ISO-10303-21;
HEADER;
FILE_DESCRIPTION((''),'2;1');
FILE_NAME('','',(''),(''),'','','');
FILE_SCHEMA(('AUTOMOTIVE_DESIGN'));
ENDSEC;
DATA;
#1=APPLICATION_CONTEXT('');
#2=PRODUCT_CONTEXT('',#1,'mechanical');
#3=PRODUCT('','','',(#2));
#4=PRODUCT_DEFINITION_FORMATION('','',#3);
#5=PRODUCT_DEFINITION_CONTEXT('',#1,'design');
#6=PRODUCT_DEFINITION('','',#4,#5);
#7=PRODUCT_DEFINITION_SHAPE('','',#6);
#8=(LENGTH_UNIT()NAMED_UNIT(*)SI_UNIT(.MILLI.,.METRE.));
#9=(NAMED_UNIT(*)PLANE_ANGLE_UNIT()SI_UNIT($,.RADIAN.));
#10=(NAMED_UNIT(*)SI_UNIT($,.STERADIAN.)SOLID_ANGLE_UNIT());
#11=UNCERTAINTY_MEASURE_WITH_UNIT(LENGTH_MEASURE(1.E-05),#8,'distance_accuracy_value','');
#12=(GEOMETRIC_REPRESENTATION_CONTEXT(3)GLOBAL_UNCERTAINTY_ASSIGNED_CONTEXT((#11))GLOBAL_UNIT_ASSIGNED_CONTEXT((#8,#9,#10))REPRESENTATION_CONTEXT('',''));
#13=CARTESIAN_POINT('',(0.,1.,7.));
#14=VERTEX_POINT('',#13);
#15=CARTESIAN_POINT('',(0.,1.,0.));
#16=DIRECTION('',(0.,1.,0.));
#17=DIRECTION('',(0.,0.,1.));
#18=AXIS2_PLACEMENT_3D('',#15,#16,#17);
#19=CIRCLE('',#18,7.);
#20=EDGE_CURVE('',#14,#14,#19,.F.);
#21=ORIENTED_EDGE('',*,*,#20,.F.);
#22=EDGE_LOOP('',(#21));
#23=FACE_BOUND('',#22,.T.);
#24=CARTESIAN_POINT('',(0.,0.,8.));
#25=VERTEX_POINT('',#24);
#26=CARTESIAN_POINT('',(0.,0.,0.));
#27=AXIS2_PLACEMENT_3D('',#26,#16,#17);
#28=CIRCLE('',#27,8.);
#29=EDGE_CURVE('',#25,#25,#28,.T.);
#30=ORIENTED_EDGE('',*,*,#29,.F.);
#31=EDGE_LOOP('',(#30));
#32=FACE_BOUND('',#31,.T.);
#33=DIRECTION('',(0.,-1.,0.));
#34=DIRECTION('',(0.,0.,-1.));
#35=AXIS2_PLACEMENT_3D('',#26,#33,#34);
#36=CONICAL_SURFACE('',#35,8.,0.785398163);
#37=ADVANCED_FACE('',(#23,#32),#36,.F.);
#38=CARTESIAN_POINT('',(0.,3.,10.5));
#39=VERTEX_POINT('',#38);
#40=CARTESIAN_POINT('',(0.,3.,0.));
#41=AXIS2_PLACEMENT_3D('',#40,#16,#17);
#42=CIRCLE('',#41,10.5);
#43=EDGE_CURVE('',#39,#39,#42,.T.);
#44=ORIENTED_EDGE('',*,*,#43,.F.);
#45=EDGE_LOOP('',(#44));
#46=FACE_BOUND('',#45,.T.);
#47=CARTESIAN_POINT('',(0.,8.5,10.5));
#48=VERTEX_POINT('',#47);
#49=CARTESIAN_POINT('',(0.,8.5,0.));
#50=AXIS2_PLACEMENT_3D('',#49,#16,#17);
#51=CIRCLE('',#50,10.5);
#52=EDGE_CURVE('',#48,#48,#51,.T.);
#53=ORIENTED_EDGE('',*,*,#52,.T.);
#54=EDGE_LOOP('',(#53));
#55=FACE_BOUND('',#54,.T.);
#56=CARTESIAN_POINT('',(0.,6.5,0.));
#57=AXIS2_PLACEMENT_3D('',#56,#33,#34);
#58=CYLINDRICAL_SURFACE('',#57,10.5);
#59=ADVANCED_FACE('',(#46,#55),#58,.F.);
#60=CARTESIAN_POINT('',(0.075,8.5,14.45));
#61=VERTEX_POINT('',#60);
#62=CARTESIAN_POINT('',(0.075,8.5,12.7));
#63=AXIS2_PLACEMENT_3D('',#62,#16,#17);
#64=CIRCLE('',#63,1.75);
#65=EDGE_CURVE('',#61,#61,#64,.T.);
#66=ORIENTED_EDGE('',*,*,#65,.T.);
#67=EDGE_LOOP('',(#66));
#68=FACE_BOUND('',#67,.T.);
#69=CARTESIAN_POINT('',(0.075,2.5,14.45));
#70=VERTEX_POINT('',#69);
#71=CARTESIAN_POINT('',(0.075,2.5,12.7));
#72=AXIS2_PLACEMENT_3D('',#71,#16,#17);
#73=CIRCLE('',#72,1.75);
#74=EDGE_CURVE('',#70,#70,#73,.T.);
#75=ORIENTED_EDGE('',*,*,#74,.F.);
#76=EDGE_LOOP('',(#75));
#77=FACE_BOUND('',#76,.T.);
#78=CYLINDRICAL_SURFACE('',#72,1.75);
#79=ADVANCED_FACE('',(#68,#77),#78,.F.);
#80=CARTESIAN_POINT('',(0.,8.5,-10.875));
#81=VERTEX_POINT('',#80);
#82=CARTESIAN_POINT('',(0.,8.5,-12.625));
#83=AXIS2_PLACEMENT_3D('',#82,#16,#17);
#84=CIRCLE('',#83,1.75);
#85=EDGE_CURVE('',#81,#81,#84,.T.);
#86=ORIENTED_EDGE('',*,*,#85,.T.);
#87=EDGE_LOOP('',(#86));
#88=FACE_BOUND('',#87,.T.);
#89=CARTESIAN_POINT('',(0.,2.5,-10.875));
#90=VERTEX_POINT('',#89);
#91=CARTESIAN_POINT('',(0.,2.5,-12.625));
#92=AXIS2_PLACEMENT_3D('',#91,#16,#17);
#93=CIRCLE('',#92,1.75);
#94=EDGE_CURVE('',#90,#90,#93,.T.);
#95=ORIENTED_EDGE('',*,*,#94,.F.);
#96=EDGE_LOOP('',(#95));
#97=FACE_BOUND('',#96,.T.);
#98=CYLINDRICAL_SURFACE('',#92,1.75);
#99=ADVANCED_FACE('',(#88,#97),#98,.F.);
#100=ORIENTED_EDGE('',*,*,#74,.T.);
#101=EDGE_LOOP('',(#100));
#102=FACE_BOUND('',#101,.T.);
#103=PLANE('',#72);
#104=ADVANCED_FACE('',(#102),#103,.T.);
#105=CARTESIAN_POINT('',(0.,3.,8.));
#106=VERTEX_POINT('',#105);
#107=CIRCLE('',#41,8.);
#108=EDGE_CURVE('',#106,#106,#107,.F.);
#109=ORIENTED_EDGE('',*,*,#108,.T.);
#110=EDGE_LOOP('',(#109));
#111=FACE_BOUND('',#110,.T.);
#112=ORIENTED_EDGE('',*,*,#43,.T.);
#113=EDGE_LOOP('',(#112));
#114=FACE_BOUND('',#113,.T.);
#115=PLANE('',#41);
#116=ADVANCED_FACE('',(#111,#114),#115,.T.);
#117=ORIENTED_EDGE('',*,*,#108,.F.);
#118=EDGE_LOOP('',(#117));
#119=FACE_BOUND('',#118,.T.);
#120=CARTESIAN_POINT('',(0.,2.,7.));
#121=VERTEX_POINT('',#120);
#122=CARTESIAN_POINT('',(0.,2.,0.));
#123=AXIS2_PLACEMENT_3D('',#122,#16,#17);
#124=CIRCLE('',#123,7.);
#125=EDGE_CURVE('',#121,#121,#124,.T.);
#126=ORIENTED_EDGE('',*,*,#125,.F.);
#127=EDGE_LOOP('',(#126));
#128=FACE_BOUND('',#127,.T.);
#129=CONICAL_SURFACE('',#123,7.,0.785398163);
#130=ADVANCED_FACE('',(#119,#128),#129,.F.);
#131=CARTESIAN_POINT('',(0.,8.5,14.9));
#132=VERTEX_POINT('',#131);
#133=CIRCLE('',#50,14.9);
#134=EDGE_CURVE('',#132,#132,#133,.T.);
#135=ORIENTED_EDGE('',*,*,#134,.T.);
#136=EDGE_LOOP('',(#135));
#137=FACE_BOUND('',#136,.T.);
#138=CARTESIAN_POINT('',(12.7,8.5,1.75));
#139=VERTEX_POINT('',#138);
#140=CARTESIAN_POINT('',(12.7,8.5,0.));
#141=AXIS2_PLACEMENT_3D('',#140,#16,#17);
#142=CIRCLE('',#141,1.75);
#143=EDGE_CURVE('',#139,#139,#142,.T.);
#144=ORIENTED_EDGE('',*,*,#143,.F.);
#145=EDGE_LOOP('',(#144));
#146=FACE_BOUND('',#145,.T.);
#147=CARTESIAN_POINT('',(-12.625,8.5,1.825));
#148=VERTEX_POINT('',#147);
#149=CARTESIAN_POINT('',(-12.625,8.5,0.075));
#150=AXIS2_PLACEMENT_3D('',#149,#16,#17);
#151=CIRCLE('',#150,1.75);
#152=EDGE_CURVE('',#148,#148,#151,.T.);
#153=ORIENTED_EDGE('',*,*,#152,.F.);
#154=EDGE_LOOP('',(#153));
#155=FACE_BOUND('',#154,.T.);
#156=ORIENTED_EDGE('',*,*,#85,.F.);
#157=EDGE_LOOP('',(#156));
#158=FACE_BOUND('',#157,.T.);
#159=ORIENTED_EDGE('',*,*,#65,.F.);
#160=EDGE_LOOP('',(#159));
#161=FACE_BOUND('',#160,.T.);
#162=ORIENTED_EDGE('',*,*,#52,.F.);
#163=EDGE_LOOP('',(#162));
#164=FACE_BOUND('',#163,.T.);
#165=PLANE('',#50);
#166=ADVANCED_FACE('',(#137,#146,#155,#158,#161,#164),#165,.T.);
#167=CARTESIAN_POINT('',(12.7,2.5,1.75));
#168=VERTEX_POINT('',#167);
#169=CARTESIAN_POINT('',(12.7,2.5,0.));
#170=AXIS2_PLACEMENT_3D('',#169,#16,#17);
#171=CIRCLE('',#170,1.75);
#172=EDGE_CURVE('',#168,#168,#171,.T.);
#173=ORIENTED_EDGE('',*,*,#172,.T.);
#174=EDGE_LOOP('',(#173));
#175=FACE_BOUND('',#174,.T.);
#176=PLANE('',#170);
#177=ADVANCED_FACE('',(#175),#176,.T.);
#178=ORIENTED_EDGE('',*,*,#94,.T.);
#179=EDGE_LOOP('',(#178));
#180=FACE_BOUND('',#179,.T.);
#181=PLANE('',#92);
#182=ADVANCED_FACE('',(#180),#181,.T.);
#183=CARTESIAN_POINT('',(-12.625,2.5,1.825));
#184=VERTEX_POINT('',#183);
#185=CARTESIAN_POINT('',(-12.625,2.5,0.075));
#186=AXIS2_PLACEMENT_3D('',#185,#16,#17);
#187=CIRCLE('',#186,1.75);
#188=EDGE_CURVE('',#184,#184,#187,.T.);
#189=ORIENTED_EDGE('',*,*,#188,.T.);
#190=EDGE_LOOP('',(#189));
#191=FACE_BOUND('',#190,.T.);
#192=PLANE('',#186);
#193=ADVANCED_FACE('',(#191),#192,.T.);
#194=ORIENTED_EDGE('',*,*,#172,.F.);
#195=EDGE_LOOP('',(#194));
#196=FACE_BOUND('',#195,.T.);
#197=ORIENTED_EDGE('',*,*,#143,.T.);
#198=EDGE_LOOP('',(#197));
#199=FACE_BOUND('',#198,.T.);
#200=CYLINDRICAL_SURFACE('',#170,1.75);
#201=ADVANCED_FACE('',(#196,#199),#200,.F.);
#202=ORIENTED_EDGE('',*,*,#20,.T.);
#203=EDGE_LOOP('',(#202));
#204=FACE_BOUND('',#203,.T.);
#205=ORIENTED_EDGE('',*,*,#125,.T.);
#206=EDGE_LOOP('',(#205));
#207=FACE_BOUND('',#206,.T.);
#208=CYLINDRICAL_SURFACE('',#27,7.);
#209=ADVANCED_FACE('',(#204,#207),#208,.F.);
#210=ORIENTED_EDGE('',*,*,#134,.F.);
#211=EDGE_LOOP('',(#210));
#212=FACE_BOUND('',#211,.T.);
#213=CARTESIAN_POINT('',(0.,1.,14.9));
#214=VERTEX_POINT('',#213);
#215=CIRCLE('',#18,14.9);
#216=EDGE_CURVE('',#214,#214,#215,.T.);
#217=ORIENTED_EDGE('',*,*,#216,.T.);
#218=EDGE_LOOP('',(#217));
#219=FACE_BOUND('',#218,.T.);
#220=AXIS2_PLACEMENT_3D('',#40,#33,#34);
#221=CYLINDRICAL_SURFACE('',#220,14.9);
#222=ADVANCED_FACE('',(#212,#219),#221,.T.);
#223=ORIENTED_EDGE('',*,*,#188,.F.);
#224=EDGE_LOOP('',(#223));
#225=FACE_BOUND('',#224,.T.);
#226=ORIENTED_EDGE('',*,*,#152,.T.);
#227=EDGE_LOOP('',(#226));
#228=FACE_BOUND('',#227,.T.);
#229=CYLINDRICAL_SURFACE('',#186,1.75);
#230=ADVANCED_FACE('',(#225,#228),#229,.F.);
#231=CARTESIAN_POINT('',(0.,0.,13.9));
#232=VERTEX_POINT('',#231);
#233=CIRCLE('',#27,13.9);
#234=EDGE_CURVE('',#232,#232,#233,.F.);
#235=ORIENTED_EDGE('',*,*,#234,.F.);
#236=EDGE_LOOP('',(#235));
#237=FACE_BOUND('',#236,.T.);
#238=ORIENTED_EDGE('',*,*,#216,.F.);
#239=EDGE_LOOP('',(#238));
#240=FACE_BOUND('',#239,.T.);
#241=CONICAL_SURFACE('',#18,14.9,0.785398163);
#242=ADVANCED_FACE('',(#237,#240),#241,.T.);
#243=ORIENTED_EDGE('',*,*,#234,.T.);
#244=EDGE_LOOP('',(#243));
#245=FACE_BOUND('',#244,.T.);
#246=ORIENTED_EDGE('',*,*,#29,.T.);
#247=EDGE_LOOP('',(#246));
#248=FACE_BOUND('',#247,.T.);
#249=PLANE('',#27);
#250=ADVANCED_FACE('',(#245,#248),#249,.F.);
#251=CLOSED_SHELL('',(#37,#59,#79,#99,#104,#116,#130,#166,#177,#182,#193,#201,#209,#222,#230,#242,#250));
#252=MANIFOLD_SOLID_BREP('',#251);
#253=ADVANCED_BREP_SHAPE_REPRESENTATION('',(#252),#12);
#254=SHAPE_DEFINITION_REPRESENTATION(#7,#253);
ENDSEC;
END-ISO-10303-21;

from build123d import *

# Parameters (mm, degrees)
SKETCH1_R           = 14.9
BOSS_EXTRUDE1_DEPTH = 3
SKETCH2_R           = 7
CUT_EXTRUDE1_DEPTH  = 22.28426649
SKETCH3_R           = 14.9
SKETCH3_R_2         = 10.5
BOSS_EXTRUDE2_DEPTH = 3.5
CHAMFER1_SIZE       = 1
SKETCH4_R           = 1.75
CUT_EXTRUDE2_DEPTH  = 4
BOSS_EXTRUDE3_START = 2
SKETCH5_R           = 14.9
SKETCH5_R_2         = 10.5
SKETCH5_R_3         = 1.75
BOSS_EXTRUDE3_DEPTH = 2


with BuildPart() as part:
    # Sketch1 → Boss-Extrude1 (new body)
    with BuildSketch(Plane(origin=(0, 0, 0), x_dir=(-1, 0, 0), z_dir=(0, 1, 0))):
        with Locations(Location((0, 0, 0), (0, 0, 90))):
            Circle(SKETCH1_R)
    extrude(amount=BOSS_EXTRUDE1_DEPTH)

    # Sketch2 → Cut-Extrude1 (cut, through all)
    with BuildSketch(Plane(origin=(0, 3, 0), x_dir=(-1, 0, 0), z_dir=(0, 1, 0))):
        with Locations(Location((0, 0, 0), (0, 0, 90))):
            Circle(SKETCH2_R)
    extrude(amount=-CUT_EXTRUDE1_DEPTH, mode=Mode.SUBTRACT)

    # Sketch3 → Boss-Extrude2 (add)
    with BuildSketch(Plane(origin=(0, 3, 0), x_dir=(-1, 0, 0), z_dir=(0, 1, 0))):
        with Locations(Location((0, 0, 0), (0, 0, 90))):
            Circle(SKETCH3_R)
        with Locations(Location((0, 0, 0), (0, 0, 90))):
            Circle(SKETCH3_R_2, mode=Mode.SUBTRACT)
    extrude(amount=BOSS_EXTRUDE2_DEPTH)

    # Chamfer1
    chamfer1_edges = [part.edges().sort_by_distance(p)[0] for p in [
        (0, 0, -14.9),
        (0, 0, -7),
        (0, 3, -7),
    ]]
    chamfer(chamfer1_edges, length=CHAMFER1_SIZE)

    # Sketch4 → Cut-Extrude2 (cut)
    with BuildSketch(Plane(origin=(0, 6.5, 0), x_dir=(-1, 0, 0), z_dir=(0, 1, 0))):
        with Locations(Location((-12.7, 0, 0), (0, 0, 90))):
            Circle(SKETCH4_R)
        with Locations(Location((-0.075, 12.7, 0), (0, 0, 90))):
            Circle(SKETCH4_R)
        with Locations(Location((12.625, 0.075, 0), (0, 0, 90))):
            Circle(SKETCH4_R)
        with Locations(Location((0, -12.625, 0), (0, 0, 90))):
            Circle(SKETCH4_R)
    extrude(amount=-CUT_EXTRUDE2_DEPTH, mode=Mode.SUBTRACT)

    # Sketch5 → Boss-Extrude3 (add)
    with BuildSketch(Plane(origin=(0, 6.5, 0), x_dir=(-1, 0, 0), z_dir=(0, 1, 0)).offset(BOSS_EXTRUDE3_START)):
        with Locations(Location((0, 0, 0), (0, 0, 90))):
            Circle(SKETCH5_R)
        with Locations(Location((0, 0, 0), (0, 0, 90))):
            Circle(SKETCH5_R_2, mode=Mode.SUBTRACT)
        with Locations(Location((0, -12.625, 0), (0, 0, 90))):
            Circle(SKETCH5_R_3, mode=Mode.SUBTRACT)
        with Locations(Location((12.625, 0.075, 0), (0, 0, 90))):
            Circle(SKETCH5_R_3, mode=Mode.SUBTRACT)
        with Locations(Location((-0.075, 12.7, 0), (0, 0, 90))):
            Circle(SKETCH5_R_3, mode=Mode.SUBTRACT)
        with Locations(Location((-12.7, 0, 0), (0, 0, 90))):
            Circle(SKETCH5_R_3, mode=Mode.SUBTRACT)
    extrude(amount=-BOSS_EXTRUDE3_DEPTH)


solid = part.part
